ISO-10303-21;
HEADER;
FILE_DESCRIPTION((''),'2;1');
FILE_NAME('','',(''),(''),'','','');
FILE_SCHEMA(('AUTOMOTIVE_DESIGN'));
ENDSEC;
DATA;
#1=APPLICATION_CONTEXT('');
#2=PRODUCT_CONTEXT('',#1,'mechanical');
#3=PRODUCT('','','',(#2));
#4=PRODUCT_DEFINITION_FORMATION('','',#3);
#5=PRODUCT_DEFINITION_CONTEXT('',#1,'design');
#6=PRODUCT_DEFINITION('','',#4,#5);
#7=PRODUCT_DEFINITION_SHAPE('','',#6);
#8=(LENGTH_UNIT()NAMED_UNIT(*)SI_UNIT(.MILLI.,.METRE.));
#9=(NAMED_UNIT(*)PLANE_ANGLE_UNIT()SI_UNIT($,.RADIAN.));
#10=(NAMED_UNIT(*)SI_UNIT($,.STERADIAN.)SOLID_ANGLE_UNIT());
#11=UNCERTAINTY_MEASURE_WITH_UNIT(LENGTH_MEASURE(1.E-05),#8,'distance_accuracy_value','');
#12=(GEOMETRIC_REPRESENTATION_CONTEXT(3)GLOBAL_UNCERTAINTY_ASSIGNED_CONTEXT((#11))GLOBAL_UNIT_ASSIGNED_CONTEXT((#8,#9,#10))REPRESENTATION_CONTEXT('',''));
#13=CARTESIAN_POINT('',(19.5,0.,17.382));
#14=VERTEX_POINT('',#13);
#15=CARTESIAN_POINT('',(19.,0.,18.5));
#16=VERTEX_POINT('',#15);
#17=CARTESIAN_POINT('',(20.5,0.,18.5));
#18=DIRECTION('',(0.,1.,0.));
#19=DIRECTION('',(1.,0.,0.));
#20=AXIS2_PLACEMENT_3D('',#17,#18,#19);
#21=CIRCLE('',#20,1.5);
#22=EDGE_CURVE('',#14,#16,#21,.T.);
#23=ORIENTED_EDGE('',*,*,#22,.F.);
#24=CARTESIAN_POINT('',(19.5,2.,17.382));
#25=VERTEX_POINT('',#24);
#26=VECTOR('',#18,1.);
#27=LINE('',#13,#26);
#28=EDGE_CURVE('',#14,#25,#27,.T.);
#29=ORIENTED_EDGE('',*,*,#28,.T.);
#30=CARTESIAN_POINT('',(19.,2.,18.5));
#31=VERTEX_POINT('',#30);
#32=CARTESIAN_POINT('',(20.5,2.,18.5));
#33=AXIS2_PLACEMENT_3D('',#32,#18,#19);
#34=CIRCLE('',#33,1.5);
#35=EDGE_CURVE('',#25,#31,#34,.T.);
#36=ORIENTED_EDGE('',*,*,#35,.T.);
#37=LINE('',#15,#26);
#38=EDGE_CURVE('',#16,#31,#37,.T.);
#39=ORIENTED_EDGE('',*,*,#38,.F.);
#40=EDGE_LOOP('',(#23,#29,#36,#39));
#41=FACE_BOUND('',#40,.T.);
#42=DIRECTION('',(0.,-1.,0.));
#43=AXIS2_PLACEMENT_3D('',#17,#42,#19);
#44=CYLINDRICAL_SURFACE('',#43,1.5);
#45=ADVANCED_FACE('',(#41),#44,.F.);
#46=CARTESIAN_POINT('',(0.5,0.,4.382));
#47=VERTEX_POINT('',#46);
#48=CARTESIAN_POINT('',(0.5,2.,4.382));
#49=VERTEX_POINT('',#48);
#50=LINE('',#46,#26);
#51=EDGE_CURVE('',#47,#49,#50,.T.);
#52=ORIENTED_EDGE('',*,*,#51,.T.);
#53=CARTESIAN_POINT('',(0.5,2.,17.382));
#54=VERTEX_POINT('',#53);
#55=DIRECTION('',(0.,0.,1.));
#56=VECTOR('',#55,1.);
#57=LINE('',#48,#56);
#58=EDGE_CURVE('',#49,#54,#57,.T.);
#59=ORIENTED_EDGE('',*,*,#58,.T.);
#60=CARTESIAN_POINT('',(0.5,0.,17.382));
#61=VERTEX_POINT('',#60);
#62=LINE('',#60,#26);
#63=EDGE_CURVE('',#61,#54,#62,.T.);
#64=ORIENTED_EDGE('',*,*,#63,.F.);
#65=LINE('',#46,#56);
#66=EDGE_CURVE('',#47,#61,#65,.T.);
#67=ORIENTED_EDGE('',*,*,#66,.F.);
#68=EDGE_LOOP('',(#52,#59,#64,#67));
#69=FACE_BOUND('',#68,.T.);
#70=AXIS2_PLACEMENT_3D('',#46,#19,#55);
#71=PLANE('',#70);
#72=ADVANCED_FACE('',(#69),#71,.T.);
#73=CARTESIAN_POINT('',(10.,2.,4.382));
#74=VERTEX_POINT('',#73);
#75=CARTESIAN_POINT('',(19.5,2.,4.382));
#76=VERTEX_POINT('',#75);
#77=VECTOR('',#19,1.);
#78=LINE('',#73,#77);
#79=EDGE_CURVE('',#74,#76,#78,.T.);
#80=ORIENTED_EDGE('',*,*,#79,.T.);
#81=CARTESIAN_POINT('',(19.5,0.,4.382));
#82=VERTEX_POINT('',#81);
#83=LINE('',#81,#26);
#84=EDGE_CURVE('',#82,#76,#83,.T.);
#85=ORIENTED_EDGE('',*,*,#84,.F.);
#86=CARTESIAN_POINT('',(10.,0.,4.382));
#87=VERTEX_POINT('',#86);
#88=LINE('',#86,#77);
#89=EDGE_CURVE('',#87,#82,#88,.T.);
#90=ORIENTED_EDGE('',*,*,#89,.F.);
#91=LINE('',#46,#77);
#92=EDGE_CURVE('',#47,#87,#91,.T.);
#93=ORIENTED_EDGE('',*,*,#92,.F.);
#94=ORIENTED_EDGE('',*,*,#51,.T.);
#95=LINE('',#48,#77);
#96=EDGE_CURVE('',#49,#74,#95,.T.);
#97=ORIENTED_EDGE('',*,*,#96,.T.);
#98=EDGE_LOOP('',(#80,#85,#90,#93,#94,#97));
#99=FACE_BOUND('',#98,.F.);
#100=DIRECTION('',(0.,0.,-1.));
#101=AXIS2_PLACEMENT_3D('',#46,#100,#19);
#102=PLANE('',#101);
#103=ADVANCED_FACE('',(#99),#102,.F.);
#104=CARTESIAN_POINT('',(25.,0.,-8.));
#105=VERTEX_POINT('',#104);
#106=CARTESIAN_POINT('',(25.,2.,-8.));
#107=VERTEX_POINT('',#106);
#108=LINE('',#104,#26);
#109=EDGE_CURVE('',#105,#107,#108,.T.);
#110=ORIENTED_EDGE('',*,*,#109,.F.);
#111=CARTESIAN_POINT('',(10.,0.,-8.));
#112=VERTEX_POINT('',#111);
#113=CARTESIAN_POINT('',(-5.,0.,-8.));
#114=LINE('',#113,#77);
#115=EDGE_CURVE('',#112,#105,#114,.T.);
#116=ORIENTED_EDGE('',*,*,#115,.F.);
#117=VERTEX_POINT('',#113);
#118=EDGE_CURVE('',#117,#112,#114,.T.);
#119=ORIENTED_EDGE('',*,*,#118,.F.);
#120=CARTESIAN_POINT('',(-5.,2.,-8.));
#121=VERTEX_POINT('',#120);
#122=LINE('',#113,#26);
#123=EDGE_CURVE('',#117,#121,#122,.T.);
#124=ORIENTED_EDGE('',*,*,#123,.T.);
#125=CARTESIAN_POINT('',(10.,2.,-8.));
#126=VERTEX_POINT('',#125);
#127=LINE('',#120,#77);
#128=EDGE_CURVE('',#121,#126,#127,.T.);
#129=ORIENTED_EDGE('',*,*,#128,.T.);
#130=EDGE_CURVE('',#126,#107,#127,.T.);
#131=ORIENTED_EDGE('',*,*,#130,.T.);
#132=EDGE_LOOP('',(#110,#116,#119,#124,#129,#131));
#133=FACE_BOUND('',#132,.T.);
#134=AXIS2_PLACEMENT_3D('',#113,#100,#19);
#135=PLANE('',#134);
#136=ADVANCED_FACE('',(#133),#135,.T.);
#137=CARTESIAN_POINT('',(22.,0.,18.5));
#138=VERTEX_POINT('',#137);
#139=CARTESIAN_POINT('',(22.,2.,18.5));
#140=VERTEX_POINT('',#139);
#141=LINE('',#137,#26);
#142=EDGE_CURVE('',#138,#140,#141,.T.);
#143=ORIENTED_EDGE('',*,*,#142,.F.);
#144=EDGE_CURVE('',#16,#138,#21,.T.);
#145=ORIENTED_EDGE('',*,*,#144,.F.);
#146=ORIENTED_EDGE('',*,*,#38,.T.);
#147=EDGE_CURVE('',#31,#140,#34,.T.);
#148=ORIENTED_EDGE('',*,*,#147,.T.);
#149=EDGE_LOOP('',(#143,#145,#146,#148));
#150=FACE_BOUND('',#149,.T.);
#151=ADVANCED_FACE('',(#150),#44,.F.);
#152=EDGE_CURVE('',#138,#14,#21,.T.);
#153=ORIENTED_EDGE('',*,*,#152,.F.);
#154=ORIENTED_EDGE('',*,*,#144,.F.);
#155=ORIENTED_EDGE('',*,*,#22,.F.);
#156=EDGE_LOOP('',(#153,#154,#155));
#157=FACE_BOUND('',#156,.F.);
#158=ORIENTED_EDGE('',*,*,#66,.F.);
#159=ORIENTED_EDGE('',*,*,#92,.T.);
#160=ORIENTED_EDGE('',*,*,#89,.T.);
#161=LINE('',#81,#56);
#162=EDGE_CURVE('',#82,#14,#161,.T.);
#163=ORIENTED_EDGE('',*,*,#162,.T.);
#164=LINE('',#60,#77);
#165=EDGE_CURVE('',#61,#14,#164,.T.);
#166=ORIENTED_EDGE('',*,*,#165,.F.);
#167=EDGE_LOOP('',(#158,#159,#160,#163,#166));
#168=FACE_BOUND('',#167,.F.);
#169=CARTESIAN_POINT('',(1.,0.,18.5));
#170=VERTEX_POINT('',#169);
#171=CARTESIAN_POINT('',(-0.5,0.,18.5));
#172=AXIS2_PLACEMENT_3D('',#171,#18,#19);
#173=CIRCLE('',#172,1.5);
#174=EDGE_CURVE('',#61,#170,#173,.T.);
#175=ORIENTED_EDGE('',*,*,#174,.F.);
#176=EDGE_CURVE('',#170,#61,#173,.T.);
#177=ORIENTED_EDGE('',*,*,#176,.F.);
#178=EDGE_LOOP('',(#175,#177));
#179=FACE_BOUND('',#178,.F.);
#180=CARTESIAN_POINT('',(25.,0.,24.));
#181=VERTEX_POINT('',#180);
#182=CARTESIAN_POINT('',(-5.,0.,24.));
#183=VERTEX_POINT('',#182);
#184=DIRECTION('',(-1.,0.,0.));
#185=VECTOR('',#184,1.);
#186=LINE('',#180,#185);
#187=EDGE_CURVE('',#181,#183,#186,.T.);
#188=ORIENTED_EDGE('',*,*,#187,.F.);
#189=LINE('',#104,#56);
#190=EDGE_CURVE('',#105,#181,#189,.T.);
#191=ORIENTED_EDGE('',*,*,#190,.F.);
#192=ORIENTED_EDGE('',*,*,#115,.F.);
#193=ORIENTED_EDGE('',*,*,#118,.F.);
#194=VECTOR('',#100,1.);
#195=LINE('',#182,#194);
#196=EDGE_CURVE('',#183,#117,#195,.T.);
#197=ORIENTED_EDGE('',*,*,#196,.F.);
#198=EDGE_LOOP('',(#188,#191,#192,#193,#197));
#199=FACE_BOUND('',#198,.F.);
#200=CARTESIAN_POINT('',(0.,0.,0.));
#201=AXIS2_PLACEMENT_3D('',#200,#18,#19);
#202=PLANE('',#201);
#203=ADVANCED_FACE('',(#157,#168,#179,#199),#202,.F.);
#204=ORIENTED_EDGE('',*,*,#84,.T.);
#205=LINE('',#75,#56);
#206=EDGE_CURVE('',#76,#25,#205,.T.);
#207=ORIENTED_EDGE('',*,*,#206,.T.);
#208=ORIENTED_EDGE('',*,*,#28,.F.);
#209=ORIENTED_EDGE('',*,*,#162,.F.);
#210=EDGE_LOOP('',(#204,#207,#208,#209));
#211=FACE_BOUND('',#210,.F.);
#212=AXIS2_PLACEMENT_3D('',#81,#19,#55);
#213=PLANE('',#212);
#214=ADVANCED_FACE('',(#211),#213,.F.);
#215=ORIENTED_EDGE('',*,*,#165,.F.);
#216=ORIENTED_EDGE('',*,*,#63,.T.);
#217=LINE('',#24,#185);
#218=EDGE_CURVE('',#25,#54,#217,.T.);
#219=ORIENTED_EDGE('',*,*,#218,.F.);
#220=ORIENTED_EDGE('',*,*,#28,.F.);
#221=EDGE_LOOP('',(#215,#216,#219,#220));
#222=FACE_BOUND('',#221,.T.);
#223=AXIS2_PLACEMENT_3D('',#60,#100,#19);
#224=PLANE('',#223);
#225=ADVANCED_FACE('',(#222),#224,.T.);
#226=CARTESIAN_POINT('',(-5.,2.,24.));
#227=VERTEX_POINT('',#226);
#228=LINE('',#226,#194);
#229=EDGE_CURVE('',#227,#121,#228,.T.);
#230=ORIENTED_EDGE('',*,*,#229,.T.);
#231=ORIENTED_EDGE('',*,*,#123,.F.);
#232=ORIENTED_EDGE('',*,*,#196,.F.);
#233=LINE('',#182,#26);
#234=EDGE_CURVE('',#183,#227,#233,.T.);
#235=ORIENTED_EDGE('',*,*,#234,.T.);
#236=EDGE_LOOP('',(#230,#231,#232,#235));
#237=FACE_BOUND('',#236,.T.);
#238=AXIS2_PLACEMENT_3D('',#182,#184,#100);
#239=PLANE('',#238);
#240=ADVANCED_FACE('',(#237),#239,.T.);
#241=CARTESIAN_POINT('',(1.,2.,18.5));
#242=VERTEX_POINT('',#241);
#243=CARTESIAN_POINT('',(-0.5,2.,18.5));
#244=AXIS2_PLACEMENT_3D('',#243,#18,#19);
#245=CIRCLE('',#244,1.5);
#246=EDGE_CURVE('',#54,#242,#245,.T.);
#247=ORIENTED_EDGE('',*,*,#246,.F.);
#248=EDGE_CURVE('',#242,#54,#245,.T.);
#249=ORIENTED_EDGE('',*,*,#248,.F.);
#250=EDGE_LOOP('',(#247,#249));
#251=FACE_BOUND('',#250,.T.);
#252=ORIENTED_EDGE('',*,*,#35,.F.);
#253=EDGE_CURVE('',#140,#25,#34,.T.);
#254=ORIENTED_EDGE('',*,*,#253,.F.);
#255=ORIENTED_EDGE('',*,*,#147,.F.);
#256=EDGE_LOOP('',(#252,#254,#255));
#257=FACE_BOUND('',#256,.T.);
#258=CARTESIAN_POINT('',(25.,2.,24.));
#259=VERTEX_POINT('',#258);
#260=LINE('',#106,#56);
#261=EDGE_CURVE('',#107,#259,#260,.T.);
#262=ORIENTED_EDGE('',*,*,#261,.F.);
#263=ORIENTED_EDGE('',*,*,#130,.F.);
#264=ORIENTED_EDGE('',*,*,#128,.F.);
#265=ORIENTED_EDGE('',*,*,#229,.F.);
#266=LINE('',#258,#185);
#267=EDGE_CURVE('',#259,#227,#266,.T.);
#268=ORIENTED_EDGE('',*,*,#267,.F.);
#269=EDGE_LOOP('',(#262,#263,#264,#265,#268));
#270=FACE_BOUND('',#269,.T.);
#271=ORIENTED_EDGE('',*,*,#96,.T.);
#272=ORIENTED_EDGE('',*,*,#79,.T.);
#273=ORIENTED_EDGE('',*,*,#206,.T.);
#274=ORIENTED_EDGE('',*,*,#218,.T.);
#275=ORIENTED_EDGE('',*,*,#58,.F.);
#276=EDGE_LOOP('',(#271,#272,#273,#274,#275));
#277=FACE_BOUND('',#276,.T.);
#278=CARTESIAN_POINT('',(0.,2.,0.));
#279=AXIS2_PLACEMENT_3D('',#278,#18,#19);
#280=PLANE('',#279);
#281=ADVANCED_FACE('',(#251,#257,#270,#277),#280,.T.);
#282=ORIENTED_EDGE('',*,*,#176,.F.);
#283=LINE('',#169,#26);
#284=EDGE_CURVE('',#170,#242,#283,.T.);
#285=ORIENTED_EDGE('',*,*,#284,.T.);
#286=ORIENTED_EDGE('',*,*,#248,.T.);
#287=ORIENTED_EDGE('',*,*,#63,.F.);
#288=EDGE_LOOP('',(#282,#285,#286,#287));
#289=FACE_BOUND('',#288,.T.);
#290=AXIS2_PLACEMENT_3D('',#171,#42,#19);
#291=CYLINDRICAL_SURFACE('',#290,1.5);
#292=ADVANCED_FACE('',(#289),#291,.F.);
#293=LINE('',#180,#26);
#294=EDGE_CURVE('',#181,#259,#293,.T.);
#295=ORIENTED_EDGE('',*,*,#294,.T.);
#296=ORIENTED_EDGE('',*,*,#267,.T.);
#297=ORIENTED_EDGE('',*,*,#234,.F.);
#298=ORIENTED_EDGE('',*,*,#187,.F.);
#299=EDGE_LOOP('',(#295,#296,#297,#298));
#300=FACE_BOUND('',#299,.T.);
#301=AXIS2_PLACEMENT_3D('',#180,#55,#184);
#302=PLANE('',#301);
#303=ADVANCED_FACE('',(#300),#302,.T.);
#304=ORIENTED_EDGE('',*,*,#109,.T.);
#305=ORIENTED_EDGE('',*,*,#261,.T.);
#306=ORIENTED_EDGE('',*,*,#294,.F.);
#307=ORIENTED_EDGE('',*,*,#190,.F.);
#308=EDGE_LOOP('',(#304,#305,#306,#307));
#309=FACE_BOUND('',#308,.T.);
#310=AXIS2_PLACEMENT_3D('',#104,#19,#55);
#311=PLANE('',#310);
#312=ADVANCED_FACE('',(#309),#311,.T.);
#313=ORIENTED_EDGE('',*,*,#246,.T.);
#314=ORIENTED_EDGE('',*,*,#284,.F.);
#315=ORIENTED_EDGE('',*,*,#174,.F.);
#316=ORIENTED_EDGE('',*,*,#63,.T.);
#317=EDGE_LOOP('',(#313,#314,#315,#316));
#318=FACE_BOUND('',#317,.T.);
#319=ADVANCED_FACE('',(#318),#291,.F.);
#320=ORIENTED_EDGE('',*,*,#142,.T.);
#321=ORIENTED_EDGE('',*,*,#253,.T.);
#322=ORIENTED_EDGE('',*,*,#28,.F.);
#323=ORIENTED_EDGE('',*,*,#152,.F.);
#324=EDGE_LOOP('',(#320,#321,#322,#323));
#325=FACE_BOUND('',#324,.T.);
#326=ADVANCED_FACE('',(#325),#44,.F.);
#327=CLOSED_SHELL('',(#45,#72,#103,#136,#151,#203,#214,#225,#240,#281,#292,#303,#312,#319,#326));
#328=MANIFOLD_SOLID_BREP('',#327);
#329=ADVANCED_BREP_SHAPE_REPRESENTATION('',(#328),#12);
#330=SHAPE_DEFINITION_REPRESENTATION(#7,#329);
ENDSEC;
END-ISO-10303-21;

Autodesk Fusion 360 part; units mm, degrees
sketch "Sketch9" plane through (0, 0, 0) normal (0, 1, 0) x (1, 0, 0)
  line L0 (-5, 8) -> (25, 8)
  line L1 (25, 8) -> (25, -24)
  line L2 (25, -24) -> (-5, -24)
  line L3 (-5, -24) -> (-5, 8)
  line L4 (10, -18.5) -> (10, 8)
  line L5 (0.5, -4.382) -> (10, -4.382)
  line L6 (10, -4.382) -> (19.5, -4.382)
  line L7 (6.8567, -18.5) -> (6.8567, -17.5)
  line L8 (10, -18.5) -> (-0.5, -18.5)
  line L9 (10, -18.5) -> (20.5, -18.5)
  circle A0 centre (-0.5, -18.5) radius 1.5
  circle A1 centre (20.5, -18.5) radius 1.5
  line L10 (0.5, -4.382) -> (0.5, -17.382)
  line L11 (19.5, -4.382) -> (19.5, -17.382)
  line L12 (0.5, -17.382) -> (19.5, -17.382)
  dimension "d91" = 32
  dimension "d92" = 30
  dimension "d93" = 15
  dimension "d98" = 26.5
  dimension "d112" = 9.5
  dimension "d113" = 9.5
  dimension "d114" = 1
  dimension "d116" = 10.5
  dimension "d117" = 10.5
  dimension "d118" = 3
  dimension "d119" = 3
  dimension "d120" = 9.5
  dimension "d121" = 13
extrude "Extrude13" add sketch "Sketch9" along normal blind 2 contours L0 L1 L2 L3 | L4 L9 A1 L12 | L4 L8 A0 L12
